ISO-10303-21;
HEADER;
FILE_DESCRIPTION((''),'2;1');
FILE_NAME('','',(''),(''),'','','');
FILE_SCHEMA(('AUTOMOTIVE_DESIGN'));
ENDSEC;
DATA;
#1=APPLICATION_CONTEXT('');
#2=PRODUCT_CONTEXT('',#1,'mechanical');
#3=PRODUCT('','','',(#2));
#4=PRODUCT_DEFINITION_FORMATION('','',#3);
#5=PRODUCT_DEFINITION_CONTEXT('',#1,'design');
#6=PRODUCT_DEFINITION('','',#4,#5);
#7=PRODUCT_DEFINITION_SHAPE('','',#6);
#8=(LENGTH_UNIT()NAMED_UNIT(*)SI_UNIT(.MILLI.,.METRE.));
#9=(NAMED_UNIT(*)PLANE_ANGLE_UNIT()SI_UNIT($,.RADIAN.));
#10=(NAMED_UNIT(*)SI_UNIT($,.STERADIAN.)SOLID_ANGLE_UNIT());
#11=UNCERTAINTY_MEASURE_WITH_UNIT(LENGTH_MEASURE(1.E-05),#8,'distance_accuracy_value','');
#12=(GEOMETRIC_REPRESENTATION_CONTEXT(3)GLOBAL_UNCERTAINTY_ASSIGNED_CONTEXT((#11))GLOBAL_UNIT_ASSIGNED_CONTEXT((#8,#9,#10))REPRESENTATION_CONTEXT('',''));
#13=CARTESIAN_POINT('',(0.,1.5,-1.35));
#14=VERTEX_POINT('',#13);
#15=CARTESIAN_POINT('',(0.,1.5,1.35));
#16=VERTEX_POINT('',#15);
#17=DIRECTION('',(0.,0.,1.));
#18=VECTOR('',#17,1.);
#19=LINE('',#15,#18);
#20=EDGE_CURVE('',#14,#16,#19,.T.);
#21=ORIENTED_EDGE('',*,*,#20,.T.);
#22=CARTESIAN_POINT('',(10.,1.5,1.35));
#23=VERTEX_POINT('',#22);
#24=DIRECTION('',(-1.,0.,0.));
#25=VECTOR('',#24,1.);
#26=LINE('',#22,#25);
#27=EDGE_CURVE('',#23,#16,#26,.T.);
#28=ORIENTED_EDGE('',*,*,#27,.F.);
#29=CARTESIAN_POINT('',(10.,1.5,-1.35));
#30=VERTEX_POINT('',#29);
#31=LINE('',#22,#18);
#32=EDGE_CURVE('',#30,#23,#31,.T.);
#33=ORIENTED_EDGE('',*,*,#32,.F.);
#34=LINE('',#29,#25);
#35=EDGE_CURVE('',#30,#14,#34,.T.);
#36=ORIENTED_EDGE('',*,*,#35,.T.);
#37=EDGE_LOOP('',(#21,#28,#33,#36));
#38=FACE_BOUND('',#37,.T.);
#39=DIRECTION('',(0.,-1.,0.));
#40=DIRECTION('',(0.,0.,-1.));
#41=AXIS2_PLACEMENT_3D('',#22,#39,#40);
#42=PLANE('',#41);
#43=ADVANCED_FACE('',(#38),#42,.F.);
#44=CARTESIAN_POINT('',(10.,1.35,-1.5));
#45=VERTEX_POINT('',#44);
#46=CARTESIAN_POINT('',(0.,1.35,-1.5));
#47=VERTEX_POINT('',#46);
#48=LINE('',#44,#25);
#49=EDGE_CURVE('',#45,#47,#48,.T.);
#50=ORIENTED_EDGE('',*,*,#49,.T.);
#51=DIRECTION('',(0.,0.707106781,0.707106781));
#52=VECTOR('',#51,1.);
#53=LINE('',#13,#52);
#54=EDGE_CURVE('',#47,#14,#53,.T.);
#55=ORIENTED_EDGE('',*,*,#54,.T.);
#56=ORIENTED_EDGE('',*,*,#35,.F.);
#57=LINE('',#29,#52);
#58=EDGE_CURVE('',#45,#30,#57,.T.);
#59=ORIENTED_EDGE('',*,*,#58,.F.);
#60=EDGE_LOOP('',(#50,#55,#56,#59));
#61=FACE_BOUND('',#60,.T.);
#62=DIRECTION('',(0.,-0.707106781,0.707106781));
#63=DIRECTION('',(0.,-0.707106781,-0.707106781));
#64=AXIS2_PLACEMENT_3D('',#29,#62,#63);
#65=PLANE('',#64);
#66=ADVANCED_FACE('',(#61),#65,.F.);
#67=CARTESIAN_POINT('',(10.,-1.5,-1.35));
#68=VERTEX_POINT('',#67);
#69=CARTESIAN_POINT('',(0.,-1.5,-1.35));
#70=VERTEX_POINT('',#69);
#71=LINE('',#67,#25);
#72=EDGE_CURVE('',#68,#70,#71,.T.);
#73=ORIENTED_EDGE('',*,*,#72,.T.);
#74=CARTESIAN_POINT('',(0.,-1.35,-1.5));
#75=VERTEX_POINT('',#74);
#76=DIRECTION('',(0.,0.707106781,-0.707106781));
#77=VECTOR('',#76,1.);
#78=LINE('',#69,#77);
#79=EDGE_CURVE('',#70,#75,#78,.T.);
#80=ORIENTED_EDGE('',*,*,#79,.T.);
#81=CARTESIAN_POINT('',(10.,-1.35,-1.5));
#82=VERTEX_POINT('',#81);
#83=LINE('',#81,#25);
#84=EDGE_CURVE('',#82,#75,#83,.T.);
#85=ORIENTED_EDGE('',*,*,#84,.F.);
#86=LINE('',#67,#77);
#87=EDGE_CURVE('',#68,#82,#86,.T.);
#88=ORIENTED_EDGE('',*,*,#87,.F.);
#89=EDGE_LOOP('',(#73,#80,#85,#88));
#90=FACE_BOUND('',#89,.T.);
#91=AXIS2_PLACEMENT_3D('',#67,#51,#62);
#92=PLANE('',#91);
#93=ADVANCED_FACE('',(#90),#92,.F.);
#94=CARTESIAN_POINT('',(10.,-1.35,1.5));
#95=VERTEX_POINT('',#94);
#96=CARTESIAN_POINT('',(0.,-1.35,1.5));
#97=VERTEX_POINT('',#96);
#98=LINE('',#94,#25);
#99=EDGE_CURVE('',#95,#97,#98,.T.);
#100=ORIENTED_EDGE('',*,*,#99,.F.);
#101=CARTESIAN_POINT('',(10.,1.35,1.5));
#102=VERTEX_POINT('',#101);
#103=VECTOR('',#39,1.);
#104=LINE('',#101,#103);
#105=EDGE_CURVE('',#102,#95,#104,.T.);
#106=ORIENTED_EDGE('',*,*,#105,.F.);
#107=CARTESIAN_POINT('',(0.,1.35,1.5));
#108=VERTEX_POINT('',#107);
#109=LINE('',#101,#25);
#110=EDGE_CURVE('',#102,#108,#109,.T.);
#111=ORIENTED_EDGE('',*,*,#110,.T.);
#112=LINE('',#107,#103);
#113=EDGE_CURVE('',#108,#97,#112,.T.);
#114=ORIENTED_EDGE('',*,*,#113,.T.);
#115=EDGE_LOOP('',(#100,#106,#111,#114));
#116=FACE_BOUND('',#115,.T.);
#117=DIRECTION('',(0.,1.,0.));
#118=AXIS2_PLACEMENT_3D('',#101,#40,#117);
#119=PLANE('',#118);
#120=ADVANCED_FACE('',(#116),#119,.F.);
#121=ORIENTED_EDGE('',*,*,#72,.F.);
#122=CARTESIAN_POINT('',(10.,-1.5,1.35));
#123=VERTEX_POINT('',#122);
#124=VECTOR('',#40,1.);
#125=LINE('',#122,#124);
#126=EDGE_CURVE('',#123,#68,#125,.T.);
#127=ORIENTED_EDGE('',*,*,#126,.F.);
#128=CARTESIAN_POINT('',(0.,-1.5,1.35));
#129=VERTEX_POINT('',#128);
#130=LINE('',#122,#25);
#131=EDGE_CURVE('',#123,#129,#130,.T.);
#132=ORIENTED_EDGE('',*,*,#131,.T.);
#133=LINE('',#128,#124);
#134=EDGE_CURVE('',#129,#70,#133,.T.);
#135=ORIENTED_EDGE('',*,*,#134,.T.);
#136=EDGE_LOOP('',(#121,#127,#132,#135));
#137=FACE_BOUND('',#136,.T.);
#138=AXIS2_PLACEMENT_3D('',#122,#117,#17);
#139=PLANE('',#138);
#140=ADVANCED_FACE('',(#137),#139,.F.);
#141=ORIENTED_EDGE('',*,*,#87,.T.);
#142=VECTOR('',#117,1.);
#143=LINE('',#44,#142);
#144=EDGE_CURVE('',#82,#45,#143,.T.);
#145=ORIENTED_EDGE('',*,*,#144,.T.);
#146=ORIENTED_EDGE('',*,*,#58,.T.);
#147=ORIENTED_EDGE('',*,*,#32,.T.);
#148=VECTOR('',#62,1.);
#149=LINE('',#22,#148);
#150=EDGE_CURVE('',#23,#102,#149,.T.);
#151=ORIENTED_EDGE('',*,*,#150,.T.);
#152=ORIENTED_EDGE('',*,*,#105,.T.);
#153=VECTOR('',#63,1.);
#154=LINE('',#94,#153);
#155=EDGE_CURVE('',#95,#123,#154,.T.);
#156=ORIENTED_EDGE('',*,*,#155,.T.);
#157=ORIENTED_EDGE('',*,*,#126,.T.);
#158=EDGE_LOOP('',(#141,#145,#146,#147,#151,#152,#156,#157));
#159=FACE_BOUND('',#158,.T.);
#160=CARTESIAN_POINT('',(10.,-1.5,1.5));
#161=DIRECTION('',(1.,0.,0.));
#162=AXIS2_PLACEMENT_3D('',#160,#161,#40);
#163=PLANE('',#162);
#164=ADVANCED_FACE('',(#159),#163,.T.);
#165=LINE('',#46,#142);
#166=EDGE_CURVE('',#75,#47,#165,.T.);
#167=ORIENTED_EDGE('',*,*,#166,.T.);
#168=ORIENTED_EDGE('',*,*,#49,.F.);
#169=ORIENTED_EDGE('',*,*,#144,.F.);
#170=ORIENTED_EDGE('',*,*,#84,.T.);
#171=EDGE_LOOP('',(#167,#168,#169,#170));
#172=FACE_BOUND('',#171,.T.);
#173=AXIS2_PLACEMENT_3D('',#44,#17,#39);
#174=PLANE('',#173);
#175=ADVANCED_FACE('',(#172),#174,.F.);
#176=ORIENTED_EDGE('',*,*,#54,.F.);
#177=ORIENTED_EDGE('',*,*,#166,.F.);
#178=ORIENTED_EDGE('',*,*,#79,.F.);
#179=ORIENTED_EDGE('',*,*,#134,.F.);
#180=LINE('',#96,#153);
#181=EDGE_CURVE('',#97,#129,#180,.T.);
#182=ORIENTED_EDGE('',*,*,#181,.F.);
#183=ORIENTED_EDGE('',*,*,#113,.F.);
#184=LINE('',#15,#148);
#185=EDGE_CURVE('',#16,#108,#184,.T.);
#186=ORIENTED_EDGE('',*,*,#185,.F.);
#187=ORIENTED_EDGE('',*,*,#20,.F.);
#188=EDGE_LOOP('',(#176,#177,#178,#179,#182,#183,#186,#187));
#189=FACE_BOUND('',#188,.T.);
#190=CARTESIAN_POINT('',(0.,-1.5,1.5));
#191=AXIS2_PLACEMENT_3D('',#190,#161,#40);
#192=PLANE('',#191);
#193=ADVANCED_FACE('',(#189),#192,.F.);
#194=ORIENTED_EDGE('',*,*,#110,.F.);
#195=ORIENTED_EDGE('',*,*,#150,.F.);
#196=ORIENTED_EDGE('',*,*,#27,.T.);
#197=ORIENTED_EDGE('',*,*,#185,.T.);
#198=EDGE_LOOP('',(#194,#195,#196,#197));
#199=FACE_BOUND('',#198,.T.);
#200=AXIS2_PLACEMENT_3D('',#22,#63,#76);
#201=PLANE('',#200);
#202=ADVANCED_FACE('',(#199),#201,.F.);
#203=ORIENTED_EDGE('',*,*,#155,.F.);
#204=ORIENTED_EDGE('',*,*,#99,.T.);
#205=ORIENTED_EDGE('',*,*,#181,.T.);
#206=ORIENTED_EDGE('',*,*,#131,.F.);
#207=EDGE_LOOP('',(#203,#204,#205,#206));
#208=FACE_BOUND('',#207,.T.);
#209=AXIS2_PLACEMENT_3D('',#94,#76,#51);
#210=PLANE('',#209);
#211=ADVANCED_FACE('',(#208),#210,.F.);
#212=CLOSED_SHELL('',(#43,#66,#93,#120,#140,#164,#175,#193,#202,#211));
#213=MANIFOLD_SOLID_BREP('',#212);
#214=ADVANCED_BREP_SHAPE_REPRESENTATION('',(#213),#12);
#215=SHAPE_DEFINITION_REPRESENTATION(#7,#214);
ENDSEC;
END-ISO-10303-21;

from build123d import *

# Parameters (mm, degrees)
BOSS_EXTRUDE1_DEPTH = 10


with BuildPart() as part:
    # Sketch1 → Boss-Extrude1 (new body)
    with BuildSketch(Plane(origin=(0, 0, 0), x_dir=(0, 0, -1), z_dir=(1, 0, 0))):
        Polygon((-1.35, 1.5), (-1.5, 1.35), (-1.5, -1.35), (-1.35, -1.5), (1.35, -1.5), (1.5, -1.35), (1.5, 1.35), (1.35, 1.5), align=None)
    extrude(amount=BOSS_EXTRUDE1_DEPTH)


solid = part.part
